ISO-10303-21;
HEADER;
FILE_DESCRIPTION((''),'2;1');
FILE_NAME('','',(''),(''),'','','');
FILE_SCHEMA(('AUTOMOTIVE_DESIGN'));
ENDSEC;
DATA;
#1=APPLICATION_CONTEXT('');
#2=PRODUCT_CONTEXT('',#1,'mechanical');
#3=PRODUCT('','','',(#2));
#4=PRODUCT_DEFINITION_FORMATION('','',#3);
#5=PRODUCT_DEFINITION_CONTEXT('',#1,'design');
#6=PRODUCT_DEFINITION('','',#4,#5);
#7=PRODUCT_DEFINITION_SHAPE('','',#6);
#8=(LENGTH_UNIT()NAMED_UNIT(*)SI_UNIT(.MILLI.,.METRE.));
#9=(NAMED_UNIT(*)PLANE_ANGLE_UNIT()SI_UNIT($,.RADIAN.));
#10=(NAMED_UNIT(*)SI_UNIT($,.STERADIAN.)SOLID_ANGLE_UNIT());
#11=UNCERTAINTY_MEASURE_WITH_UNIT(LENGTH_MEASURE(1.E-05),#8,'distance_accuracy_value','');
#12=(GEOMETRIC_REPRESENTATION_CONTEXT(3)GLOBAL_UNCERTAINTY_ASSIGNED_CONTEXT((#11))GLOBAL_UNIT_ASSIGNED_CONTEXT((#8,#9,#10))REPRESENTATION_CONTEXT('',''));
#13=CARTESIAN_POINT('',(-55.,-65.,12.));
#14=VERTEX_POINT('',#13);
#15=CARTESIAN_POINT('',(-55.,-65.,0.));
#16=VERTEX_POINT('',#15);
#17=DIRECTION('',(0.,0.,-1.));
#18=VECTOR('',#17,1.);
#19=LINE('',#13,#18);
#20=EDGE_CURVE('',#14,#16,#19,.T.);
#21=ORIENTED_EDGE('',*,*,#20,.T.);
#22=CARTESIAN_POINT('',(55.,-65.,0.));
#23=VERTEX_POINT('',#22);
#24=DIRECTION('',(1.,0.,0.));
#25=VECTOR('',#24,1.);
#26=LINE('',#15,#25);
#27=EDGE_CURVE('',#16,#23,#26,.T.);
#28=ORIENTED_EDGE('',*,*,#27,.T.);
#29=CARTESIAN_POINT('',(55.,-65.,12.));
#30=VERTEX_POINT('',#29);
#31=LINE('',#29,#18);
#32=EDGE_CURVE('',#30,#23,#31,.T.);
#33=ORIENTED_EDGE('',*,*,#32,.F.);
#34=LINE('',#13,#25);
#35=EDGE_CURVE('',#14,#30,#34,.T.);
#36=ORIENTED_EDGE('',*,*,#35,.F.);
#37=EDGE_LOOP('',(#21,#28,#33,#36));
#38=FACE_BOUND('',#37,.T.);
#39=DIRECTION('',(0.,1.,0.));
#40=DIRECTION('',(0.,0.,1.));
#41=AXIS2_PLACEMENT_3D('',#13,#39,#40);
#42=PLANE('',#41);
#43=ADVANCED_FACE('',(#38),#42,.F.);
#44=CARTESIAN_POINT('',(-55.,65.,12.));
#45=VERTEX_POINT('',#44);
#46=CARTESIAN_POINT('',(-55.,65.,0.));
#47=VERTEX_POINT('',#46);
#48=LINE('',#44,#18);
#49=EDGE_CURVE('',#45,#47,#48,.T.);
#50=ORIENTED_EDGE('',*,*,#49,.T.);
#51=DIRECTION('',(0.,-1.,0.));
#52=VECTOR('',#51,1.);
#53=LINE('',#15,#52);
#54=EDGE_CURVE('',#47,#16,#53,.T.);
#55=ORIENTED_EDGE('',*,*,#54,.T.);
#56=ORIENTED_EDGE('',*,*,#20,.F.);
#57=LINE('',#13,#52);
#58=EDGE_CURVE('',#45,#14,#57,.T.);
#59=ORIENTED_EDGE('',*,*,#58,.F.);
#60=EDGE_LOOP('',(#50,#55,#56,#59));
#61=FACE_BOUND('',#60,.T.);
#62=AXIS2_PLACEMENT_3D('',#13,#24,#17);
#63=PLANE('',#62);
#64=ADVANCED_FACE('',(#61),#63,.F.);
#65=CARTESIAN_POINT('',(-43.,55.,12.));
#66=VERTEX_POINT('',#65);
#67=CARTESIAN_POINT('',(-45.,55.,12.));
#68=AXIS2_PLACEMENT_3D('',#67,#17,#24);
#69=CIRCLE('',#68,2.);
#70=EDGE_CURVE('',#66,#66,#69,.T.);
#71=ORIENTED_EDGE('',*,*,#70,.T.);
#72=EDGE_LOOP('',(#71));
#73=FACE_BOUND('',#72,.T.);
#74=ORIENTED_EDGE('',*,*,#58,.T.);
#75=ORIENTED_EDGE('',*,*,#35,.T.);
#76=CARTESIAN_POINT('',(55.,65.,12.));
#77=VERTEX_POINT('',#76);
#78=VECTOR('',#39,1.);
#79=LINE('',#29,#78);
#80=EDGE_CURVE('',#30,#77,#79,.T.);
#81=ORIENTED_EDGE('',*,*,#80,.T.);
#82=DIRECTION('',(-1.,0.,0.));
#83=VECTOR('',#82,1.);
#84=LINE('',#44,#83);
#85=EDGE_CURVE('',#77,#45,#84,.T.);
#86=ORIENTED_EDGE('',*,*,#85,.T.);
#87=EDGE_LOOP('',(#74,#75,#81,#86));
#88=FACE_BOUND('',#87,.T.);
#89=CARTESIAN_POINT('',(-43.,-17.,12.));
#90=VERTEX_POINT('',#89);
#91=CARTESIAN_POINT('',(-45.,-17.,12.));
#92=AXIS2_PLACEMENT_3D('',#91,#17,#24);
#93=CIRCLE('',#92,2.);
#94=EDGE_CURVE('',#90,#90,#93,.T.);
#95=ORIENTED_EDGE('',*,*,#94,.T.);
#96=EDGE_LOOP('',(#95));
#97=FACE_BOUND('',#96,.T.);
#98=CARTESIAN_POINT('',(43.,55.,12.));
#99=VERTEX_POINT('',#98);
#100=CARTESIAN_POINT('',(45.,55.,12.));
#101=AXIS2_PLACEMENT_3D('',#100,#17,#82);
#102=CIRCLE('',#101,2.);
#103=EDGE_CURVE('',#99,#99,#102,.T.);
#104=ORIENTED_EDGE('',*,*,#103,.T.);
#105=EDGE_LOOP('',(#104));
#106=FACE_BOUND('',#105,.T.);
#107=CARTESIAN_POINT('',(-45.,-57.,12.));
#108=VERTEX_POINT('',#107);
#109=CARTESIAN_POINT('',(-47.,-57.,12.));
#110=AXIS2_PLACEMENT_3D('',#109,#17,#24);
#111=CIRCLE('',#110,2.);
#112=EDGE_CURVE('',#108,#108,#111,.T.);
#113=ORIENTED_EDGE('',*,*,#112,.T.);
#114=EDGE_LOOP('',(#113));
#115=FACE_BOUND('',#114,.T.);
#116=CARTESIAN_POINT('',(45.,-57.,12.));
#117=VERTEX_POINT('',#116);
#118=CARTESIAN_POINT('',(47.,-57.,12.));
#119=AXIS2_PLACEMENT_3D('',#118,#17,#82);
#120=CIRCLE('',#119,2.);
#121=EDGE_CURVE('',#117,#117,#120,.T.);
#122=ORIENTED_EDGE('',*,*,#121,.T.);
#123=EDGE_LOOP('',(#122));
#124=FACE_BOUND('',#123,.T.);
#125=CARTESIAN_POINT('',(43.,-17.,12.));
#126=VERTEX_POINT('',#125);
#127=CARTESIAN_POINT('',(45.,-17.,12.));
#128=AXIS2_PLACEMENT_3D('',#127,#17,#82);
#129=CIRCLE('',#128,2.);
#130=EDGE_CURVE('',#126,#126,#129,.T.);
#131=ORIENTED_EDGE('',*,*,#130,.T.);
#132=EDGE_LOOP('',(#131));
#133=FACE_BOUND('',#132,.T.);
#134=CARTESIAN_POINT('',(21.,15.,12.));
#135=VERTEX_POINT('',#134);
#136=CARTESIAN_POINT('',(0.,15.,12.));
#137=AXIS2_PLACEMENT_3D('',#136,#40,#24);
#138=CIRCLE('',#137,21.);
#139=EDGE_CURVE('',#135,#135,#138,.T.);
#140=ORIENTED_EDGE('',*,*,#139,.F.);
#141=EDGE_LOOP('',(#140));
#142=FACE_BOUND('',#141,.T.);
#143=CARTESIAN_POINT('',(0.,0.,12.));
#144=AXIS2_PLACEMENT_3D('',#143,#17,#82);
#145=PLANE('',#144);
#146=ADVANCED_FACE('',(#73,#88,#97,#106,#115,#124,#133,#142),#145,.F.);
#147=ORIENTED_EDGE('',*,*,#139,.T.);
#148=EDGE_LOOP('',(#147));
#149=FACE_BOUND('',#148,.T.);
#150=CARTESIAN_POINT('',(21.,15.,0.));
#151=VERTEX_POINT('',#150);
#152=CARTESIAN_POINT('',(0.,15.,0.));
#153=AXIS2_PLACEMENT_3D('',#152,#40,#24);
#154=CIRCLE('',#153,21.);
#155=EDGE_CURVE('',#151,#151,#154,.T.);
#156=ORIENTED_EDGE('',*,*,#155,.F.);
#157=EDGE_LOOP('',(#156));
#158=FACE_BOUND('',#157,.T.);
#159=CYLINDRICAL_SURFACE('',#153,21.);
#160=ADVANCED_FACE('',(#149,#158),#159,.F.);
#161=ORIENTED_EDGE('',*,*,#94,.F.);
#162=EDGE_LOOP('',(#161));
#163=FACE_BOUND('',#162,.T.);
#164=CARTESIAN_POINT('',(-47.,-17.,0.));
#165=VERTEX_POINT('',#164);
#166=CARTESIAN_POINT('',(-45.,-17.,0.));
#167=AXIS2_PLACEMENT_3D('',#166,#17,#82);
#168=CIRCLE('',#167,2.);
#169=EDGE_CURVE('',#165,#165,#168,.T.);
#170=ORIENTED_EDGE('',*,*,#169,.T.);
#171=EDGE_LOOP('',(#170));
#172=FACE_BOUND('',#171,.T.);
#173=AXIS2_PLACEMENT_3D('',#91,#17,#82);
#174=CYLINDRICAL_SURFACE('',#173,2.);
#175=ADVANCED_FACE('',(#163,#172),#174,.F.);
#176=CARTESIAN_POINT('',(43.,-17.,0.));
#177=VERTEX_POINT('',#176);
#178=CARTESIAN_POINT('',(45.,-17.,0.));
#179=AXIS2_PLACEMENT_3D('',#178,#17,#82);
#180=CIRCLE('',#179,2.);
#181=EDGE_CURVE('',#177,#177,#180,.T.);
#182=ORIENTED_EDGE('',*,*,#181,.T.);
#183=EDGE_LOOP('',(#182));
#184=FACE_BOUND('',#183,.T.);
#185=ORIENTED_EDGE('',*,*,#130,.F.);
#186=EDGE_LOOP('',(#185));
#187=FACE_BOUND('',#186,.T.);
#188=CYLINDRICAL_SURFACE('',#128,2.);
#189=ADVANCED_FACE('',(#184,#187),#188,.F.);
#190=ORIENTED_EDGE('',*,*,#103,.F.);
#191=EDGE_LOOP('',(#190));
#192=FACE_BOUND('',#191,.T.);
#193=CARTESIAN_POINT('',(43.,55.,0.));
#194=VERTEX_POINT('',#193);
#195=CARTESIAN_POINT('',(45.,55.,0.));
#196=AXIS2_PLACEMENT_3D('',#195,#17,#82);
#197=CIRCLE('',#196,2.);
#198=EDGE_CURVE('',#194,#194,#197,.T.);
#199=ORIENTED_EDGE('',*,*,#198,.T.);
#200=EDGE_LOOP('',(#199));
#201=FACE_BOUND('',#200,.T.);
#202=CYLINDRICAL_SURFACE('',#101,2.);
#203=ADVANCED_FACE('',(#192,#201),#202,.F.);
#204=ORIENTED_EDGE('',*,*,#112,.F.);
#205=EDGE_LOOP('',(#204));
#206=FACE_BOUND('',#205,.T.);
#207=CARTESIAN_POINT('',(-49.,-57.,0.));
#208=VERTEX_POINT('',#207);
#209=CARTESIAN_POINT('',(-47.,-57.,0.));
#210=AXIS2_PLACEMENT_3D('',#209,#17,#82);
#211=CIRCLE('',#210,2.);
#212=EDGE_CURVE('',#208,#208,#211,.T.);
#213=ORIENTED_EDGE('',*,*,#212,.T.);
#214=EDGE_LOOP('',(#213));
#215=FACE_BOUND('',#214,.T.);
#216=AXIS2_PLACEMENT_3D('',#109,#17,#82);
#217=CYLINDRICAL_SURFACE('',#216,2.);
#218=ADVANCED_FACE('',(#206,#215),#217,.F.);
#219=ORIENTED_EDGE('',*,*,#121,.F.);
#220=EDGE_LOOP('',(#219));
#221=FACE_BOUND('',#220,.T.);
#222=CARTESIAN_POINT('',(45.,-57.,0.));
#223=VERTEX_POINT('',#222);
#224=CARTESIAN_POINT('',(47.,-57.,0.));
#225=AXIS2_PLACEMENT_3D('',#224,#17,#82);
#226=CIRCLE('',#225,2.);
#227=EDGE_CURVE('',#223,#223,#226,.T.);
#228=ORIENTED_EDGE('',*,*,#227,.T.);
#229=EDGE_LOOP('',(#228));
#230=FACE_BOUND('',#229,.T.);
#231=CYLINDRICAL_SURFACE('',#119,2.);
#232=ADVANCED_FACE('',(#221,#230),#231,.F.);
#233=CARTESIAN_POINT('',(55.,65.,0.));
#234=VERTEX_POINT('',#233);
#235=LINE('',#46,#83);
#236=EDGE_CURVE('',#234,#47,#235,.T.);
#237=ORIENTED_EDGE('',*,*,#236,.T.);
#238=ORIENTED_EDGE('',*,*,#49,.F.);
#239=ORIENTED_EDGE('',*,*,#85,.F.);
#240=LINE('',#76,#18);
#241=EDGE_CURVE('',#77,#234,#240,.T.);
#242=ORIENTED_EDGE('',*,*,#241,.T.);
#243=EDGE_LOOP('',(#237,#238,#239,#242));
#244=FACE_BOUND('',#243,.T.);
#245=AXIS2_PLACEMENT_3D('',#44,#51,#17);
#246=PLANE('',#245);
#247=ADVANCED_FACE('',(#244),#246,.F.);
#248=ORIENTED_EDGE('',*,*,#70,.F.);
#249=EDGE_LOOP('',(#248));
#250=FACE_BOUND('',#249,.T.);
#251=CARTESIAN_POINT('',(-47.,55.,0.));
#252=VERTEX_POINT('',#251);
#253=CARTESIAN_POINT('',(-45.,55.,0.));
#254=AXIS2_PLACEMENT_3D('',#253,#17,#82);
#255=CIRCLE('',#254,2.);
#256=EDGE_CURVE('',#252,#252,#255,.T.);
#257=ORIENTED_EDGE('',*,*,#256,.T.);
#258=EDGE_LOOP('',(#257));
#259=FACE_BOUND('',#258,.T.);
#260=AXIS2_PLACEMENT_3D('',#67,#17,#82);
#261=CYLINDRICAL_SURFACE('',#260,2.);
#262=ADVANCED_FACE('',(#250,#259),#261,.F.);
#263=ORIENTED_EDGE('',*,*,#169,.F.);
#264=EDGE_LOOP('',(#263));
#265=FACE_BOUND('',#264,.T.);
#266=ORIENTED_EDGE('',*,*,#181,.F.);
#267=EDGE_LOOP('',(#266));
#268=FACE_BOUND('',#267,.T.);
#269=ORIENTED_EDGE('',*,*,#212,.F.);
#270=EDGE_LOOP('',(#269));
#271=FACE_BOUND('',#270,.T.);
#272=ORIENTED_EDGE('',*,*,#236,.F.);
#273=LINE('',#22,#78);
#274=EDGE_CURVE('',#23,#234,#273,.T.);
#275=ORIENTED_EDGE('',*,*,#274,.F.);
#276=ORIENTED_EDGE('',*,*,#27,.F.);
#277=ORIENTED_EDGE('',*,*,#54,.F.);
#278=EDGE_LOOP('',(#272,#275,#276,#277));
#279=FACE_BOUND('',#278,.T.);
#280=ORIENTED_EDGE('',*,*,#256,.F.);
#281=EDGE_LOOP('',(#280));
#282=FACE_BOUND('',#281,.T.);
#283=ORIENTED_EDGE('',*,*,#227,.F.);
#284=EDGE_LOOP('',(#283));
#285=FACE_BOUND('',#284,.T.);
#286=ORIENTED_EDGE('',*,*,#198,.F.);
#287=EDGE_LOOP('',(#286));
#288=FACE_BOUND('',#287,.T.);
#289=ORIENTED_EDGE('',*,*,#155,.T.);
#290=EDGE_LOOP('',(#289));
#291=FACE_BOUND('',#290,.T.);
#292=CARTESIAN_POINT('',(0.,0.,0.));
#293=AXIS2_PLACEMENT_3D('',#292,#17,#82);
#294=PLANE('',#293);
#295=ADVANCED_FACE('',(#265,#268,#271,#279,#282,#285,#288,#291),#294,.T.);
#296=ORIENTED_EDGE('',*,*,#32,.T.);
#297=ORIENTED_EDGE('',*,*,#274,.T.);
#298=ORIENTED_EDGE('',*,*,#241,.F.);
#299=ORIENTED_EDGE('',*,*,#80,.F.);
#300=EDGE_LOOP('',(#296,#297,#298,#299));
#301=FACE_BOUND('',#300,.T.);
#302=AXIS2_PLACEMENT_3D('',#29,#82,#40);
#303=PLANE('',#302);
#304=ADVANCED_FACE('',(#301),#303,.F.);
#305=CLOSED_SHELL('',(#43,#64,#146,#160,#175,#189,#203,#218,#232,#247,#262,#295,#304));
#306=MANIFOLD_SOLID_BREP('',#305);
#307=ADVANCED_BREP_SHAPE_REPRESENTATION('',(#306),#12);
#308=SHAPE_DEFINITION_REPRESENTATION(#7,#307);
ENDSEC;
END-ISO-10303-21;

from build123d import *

# Parameters (mm, degrees)
SKETCH1_W               = 110
SKETCH1_H               = 130
BOSS_EXTRUDE1_DEPTH     = 12
CUT_EXTRUDE1_DEPTH      = 86.988371307
CUT_EXTRUDE1_DEPTH_BACK = 86.988371307
SKETCH2_R               = 2
SKETCH3_R               = 21
CUT_EXTRUDE2_DEPTH      = 86.988371307


with BuildPart() as part:
    # Sketch1 → Boss-Extrude1 (new body)
    with BuildSketch(Plane.XY):
        Rectangle(SKETCH1_W, SKETCH1_H)
    extrude(amount=BOSS_EXTRUDE1_DEPTH)

    # Sketch2 → Cut-Extrude1 (cut, two sides: drawn at the far end of the back side and taken through both)
    with BuildSketch(Plane(origin=(0, 0, 0), x_dir=(-1, 0, 0), z_dir=(0, 0, -1)).offset(-CUT_EXTRUDE1_DEPTH_BACK)):
        with Locations((-45, 55)):
            Circle(SKETCH2_R)
        with Locations((-45, -17)):
            Circle(SKETCH2_R)
        with Locations((-47, -57)):
            Circle(SKETCH2_R)
        with Locations((47, -57)):
            Circle(SKETCH2_R)
        with Locations((45, -17)):
            Circle(SKETCH2_R)
        with Locations((45, 55)):
            Circle(SKETCH2_R)
    extrude(amount=CUT_EXTRUDE1_DEPTH + CUT_EXTRUDE1_DEPTH_BACK, mode=Mode.SUBTRACT)

    # Sketch3 → Cut-Extrude2 (cut, through all)
    with BuildSketch(Plane.XY.offset(12)):
        with Locations((0, 15)):
            Circle(SKETCH3_R)
    extrude(amount=-CUT_EXTRUDE2_DEPTH, mode=Mode.SUBTRACT)


solid = part.part
